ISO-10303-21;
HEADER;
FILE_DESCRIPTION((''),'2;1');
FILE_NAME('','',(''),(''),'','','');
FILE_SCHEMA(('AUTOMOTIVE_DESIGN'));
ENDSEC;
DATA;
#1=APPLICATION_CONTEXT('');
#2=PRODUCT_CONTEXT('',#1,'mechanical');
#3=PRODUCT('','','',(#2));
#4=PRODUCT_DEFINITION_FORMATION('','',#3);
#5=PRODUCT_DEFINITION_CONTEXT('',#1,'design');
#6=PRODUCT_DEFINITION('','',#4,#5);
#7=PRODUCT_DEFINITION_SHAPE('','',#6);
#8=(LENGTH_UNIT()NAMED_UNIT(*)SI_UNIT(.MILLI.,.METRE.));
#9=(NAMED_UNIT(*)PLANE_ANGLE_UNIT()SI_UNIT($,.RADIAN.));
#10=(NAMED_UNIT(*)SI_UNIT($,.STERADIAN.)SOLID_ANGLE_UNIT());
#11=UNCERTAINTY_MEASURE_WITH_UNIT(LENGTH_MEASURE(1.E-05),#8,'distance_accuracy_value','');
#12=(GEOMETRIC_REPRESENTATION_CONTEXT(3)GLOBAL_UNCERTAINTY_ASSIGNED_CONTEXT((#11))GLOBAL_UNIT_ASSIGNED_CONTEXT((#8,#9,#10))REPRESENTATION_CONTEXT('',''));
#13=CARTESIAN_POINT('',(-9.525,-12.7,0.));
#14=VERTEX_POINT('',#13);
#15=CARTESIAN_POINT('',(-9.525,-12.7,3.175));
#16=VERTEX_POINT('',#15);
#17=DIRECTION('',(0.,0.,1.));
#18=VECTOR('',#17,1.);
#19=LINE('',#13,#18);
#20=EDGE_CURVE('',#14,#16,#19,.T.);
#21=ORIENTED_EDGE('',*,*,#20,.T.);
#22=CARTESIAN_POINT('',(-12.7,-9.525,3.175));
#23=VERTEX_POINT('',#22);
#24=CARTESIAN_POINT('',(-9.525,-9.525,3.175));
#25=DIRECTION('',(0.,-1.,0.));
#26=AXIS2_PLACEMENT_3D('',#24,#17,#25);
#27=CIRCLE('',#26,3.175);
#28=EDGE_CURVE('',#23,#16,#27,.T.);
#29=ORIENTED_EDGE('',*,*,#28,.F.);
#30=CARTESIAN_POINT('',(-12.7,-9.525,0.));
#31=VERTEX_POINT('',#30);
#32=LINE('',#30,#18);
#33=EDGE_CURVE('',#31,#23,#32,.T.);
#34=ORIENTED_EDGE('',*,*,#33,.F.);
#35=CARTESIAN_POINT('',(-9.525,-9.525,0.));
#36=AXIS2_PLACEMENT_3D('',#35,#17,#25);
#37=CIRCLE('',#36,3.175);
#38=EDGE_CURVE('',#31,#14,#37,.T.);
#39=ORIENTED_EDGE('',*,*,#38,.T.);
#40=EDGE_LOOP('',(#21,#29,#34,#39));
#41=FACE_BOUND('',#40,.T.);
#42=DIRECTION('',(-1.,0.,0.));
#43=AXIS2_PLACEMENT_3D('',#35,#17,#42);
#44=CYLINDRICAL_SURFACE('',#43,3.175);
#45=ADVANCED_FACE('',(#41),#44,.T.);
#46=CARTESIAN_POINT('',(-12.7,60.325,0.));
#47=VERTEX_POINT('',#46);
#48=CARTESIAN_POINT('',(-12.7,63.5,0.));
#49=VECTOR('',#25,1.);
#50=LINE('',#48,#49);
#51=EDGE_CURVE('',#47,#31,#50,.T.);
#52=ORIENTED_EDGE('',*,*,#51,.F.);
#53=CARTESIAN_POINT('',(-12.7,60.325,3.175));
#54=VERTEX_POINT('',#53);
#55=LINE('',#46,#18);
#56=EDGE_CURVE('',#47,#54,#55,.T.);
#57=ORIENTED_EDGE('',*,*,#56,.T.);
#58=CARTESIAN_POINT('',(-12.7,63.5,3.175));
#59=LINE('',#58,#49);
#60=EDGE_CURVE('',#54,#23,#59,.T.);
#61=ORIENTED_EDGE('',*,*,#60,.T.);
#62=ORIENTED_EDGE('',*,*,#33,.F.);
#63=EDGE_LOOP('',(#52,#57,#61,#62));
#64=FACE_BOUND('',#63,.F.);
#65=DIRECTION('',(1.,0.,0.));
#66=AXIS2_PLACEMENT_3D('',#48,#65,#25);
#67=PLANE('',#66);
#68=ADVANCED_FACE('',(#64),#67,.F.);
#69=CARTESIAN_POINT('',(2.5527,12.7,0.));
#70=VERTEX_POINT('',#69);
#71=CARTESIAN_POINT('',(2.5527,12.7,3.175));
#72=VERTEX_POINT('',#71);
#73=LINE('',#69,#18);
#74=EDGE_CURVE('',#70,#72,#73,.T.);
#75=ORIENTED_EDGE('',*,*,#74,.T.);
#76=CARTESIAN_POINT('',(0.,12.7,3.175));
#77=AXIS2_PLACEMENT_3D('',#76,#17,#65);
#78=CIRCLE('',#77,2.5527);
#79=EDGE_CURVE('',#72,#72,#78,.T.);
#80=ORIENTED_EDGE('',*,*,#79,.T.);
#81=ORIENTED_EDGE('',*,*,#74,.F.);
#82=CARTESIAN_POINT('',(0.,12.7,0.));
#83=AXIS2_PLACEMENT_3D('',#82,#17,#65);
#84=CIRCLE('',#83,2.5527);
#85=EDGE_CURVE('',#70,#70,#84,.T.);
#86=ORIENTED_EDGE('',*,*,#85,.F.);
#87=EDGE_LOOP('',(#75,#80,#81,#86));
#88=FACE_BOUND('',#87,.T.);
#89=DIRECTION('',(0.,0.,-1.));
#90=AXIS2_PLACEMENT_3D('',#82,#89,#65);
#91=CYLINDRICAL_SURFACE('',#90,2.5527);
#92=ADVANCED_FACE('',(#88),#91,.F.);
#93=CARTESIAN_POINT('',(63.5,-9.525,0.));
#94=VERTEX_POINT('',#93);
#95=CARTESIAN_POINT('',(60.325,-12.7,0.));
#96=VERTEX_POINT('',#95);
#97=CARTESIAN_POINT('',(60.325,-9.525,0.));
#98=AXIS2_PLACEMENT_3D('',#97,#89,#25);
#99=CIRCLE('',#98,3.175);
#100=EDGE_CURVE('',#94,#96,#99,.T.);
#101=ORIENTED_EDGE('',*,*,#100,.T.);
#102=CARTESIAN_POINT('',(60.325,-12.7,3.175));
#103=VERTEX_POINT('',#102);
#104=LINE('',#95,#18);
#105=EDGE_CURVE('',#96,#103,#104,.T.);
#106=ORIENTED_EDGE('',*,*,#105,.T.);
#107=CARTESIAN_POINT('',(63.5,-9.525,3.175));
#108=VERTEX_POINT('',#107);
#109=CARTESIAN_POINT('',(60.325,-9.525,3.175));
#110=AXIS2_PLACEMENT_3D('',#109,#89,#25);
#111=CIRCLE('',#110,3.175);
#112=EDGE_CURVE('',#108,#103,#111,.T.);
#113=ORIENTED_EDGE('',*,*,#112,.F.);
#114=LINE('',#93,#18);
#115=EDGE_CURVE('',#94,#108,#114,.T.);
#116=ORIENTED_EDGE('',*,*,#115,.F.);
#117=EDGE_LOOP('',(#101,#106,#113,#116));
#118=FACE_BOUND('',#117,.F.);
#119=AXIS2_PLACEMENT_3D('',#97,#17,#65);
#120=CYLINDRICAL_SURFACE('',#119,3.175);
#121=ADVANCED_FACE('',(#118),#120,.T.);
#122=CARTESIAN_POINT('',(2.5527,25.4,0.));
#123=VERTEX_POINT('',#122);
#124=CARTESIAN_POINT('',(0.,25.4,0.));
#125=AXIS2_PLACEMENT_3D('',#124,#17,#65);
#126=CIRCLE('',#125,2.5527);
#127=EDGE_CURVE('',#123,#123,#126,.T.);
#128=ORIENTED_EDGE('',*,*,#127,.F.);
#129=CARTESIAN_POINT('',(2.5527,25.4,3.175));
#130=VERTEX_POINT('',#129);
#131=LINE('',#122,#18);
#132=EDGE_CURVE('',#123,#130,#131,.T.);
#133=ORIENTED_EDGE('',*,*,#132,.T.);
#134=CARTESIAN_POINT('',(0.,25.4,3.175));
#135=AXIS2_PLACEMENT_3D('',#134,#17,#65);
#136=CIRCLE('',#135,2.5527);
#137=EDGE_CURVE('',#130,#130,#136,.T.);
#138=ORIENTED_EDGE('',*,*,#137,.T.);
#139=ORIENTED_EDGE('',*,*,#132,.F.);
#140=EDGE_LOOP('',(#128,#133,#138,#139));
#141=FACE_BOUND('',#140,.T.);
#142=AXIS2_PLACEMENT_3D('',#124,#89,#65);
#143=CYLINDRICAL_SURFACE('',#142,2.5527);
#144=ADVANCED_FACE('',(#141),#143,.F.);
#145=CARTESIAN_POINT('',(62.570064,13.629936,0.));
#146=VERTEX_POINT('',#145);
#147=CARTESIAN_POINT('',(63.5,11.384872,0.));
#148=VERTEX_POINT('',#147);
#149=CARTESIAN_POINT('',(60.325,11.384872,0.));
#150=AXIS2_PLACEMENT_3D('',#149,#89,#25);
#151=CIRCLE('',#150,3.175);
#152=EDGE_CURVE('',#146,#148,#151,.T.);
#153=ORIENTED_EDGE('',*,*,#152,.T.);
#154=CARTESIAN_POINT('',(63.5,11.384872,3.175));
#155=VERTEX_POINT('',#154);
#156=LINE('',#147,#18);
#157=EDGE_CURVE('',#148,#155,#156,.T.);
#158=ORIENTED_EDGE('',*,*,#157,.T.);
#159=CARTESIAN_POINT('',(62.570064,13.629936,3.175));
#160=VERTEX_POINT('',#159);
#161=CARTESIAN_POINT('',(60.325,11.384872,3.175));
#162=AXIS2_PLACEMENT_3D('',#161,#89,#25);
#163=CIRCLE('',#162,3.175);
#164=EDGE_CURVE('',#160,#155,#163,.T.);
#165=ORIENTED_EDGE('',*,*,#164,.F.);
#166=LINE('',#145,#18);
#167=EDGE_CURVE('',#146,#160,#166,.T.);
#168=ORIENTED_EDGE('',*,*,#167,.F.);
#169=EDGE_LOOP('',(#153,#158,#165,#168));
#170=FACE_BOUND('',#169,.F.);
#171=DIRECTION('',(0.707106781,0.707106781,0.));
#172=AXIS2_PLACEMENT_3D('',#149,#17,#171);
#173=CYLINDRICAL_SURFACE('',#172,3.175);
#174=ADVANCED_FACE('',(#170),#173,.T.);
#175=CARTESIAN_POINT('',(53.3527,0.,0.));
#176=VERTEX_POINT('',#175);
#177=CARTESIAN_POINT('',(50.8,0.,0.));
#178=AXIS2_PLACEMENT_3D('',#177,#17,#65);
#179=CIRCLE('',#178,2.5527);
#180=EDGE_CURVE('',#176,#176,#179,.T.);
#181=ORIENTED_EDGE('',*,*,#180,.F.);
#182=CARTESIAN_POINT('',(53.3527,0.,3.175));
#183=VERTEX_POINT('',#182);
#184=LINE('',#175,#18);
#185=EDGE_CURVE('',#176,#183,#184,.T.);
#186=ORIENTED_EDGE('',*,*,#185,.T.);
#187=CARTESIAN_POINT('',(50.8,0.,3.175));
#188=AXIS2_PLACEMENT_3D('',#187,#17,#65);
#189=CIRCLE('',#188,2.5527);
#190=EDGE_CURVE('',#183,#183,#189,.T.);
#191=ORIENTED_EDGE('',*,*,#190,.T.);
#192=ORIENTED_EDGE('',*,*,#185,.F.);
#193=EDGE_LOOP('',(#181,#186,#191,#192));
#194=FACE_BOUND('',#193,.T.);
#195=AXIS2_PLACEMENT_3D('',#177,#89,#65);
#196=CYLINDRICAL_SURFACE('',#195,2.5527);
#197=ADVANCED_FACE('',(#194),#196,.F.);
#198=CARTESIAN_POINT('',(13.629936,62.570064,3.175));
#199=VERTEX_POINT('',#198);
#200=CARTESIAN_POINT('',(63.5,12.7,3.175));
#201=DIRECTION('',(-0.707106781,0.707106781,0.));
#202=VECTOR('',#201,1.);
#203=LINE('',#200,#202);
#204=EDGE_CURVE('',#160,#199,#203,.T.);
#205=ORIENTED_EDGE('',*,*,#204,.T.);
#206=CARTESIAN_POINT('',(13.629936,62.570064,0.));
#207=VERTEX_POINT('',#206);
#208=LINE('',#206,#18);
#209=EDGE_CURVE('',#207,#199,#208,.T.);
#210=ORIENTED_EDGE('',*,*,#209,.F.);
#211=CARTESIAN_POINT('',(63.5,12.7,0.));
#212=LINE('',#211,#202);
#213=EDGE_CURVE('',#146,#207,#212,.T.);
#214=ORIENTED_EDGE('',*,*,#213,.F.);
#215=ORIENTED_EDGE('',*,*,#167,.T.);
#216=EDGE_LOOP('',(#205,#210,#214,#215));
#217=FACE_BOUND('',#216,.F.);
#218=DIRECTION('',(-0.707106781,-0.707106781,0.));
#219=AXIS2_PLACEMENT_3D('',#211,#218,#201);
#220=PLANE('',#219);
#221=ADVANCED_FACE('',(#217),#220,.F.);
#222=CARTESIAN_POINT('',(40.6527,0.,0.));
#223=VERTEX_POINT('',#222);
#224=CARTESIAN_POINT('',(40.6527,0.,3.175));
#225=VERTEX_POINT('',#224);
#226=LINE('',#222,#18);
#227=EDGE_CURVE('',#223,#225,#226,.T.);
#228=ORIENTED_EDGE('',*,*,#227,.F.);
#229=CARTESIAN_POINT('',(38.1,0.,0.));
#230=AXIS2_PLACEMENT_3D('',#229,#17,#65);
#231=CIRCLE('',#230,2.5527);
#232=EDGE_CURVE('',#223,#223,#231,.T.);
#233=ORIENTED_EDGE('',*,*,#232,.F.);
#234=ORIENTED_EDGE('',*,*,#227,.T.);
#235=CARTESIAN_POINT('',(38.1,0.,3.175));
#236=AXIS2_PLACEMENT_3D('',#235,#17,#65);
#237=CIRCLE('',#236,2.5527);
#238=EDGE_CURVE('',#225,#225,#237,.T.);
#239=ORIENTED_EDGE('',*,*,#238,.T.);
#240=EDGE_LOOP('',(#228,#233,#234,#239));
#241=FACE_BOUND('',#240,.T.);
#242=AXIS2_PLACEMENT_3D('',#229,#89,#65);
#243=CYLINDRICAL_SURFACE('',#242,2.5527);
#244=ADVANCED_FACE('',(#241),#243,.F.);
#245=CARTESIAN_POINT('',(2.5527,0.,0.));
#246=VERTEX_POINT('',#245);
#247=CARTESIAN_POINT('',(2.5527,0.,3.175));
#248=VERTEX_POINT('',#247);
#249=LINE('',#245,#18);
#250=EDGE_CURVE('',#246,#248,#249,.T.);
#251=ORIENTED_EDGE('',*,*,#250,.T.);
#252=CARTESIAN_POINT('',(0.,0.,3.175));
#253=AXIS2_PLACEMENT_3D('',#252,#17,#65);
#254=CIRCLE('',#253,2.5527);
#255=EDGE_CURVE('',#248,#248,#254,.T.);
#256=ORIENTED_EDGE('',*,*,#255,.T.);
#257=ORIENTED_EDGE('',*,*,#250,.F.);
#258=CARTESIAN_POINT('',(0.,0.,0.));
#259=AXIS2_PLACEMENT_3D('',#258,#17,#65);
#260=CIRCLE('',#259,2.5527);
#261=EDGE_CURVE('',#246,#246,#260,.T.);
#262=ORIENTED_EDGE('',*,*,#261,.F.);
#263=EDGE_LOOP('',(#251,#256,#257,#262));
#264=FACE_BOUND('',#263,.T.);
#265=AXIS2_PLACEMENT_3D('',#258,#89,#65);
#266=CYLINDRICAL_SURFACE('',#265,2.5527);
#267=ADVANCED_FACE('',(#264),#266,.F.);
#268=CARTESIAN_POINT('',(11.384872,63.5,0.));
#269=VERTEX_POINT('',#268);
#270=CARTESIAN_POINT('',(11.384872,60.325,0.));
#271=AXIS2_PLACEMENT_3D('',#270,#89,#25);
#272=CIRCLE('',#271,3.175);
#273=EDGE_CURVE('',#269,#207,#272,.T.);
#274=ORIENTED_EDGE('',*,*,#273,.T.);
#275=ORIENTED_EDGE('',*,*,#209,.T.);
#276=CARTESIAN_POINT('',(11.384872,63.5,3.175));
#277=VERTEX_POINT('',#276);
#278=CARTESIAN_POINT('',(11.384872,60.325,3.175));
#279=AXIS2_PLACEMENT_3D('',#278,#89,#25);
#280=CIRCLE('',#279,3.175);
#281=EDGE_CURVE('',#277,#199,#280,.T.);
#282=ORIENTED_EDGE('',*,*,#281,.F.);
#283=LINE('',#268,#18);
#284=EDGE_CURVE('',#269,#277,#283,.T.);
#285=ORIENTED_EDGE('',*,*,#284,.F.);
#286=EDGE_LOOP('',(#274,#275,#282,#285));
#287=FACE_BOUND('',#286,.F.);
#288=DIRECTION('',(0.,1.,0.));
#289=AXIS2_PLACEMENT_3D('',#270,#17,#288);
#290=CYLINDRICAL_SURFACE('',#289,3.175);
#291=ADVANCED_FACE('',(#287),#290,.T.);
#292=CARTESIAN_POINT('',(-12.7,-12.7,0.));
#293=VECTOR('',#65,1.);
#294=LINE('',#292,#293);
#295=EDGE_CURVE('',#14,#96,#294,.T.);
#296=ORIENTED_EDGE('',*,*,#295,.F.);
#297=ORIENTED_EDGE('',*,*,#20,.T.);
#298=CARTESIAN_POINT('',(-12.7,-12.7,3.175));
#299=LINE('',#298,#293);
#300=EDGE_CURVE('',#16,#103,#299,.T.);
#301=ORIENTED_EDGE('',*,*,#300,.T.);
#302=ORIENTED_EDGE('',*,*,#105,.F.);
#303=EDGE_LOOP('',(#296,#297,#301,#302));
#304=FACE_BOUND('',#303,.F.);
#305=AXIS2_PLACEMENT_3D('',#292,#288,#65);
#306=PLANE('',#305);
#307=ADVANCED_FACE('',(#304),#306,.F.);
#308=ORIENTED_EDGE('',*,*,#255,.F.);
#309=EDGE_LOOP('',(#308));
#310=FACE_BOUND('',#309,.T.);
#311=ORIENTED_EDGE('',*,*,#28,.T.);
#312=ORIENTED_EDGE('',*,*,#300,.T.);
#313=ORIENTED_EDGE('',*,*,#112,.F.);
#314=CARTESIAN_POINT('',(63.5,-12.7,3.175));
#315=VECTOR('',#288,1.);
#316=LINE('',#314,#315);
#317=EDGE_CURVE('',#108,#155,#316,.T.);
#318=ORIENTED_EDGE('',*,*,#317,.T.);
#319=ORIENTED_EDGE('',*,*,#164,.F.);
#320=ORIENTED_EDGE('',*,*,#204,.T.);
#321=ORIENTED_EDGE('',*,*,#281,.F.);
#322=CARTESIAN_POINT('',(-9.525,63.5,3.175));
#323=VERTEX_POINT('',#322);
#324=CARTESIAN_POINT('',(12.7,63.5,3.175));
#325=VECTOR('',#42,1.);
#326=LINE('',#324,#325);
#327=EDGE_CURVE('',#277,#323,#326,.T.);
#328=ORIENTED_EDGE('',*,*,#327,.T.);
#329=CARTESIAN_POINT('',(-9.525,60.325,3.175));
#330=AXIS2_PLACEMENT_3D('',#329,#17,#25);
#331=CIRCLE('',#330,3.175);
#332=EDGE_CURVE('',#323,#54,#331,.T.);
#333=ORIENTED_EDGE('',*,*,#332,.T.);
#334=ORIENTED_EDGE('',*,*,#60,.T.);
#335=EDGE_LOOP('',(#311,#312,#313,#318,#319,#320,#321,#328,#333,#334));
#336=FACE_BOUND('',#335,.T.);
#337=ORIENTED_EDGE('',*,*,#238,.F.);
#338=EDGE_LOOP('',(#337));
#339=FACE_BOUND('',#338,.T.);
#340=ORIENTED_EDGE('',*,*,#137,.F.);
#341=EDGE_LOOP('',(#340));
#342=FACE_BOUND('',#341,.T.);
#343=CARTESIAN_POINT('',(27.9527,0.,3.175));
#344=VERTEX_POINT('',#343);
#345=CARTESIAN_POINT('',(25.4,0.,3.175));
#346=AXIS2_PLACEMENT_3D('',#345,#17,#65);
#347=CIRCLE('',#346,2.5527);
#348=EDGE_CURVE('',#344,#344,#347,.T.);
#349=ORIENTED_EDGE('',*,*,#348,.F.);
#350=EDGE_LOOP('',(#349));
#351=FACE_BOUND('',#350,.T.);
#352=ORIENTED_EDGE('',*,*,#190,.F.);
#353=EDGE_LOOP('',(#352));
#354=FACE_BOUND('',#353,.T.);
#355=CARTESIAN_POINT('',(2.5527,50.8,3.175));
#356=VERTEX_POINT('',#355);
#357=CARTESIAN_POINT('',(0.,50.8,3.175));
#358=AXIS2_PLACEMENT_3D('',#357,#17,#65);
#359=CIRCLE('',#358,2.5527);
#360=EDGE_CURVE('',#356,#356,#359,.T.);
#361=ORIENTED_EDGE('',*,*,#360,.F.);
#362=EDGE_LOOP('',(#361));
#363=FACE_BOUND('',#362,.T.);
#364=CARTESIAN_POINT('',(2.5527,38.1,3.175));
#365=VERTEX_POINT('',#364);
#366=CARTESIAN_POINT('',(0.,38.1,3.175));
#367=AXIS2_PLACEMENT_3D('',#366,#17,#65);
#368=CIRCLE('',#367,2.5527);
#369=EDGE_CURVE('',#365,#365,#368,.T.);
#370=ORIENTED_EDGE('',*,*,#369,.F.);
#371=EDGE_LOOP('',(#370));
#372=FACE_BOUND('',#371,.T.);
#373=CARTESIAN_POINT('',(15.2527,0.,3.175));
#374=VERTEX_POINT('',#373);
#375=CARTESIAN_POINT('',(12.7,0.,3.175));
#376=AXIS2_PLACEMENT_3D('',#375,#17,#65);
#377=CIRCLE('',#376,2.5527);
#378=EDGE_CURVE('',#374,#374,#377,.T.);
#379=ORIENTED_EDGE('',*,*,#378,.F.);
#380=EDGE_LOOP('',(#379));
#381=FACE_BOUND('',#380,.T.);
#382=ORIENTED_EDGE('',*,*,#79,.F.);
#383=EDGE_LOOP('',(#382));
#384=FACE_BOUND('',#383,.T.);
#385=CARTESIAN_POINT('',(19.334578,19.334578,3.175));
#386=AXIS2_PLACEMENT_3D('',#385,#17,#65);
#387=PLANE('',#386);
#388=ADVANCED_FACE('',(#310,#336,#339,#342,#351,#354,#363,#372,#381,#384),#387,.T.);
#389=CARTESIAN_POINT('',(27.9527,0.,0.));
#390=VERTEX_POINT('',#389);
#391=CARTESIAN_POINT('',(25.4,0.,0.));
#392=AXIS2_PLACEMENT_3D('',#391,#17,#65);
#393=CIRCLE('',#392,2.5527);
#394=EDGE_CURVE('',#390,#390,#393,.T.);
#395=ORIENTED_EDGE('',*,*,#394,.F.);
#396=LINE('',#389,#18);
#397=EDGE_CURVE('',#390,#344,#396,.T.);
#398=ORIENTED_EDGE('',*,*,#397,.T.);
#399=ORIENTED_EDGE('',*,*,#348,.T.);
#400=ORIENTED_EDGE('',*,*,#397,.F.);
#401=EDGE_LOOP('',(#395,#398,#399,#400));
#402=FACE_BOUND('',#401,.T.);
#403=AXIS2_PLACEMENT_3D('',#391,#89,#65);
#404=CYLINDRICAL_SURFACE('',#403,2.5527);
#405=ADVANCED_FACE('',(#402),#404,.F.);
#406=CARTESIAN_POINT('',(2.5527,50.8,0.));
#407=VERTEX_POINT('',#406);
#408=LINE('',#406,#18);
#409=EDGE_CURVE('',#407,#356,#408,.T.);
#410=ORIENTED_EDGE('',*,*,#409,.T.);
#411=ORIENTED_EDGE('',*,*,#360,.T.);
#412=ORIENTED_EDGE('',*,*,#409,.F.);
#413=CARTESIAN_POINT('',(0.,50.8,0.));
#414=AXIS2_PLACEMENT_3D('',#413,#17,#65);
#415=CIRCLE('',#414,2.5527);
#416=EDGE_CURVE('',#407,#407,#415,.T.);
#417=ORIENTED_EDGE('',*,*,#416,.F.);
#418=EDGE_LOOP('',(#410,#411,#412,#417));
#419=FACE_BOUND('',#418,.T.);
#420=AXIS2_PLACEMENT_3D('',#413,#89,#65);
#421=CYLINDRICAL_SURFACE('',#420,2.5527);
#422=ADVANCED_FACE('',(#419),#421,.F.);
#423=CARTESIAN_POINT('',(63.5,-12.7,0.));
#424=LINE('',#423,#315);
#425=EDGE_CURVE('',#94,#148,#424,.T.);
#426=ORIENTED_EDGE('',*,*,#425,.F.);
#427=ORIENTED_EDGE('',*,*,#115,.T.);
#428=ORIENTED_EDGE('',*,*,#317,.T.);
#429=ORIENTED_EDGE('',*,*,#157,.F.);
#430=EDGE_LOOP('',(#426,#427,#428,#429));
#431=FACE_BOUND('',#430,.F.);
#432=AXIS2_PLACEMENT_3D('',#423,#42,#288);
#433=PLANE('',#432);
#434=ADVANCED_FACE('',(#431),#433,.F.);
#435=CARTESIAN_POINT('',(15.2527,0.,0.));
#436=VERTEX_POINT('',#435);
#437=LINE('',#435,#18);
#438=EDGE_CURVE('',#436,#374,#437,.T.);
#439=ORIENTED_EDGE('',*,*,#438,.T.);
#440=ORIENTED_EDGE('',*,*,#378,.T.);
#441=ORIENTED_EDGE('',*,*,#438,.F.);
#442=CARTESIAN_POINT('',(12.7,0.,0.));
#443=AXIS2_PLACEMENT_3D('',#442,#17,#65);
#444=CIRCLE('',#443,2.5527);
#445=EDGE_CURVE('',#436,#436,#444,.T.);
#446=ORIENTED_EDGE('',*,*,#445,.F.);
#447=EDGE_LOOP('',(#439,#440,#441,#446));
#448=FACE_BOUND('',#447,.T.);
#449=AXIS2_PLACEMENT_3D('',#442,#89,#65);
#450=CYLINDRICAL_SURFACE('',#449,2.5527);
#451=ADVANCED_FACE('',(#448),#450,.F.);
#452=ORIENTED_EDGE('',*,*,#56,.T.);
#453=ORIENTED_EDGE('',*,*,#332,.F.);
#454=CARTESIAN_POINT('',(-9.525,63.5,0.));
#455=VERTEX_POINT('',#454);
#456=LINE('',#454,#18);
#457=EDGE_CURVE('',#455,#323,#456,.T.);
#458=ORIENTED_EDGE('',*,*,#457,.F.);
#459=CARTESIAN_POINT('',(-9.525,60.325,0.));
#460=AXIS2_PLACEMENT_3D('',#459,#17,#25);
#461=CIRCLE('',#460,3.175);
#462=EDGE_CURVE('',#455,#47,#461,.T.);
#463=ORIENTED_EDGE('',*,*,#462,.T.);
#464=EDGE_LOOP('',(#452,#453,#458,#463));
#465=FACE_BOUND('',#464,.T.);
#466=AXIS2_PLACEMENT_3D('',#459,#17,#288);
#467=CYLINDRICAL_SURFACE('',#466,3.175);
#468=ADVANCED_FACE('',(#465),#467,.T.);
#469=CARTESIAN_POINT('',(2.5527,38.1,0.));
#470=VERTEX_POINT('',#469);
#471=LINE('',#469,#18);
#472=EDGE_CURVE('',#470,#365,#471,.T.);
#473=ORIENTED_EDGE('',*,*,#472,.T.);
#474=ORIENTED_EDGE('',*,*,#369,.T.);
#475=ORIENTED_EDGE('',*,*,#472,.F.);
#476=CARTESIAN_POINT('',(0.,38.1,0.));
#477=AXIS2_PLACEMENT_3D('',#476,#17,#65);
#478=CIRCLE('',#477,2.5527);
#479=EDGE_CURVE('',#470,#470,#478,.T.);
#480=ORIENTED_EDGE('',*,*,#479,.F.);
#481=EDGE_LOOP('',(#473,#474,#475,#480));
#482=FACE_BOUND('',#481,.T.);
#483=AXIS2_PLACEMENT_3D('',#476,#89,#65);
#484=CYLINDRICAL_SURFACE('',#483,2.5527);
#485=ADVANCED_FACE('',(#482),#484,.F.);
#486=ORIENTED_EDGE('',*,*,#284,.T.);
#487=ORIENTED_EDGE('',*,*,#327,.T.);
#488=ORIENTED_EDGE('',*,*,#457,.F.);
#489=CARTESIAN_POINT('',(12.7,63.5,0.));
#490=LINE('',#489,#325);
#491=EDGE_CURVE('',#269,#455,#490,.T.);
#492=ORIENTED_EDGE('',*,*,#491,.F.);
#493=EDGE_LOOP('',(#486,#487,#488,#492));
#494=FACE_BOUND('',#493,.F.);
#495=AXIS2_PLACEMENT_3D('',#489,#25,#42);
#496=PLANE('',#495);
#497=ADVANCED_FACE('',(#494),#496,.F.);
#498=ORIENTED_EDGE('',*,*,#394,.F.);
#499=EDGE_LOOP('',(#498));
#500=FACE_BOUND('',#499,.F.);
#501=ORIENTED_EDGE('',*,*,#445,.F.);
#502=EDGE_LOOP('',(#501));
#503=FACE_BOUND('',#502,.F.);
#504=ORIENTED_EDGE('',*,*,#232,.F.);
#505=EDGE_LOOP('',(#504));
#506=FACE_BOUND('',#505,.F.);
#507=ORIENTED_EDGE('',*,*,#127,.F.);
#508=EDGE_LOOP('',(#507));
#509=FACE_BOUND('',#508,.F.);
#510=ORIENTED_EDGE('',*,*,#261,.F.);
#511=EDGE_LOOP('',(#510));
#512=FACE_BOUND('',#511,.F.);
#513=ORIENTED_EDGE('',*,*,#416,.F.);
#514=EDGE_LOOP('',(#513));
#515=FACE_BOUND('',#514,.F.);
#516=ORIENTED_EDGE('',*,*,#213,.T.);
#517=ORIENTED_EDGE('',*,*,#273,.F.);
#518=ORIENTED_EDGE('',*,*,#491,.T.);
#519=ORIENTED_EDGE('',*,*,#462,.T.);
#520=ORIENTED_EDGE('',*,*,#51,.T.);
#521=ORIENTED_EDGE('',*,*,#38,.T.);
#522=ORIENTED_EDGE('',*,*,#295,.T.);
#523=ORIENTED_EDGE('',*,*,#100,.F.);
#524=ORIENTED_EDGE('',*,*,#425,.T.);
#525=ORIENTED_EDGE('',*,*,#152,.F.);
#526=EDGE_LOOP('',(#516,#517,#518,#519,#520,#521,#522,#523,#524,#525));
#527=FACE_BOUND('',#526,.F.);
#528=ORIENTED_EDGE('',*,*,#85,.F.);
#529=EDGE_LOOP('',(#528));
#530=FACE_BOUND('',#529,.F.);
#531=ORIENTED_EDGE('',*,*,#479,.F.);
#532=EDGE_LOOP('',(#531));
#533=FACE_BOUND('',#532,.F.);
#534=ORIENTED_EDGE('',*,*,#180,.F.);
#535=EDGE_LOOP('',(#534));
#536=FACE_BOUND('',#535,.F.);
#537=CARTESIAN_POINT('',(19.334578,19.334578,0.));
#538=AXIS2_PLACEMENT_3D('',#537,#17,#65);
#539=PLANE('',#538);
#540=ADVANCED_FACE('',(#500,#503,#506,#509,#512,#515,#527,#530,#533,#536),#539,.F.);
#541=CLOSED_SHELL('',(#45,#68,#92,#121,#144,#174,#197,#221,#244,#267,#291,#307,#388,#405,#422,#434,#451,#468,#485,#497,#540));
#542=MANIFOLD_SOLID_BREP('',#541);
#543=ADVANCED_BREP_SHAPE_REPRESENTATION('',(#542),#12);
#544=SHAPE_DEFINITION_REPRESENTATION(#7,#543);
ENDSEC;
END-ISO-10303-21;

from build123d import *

# Parameters (mm, degrees)
F0_R     = 2.5527
F1_DEPTH = 3.175
F2_R     = 3.175


with BuildPart() as f1:
    # F0 (on Top) → F1 (new body)
    with BuildSketch(Plane.XY):
        Polygon((12.7, 63.5), (-12.7, 63.5), (-12.7, -12.7), (63.5, -12.7), (63.5, 12.7), align=None)
        Circle(F0_R, mode=Mode.SUBTRACT)
        with Locations((12.7, 0)):
            Circle(F0_R, mode=Mode.SUBTRACT)
        with Locations((25.4, 0)):
            Circle(F0_R, mode=Mode.SUBTRACT)
        with Locations((0, 12.7)):
            Circle(F0_R, mode=Mode.SUBTRACT)
        with Locations((0, 25.4)):
            Circle(F0_R, mode=Mode.SUBTRACT)
        with Locations((38.1, 0)):
            Circle(F0_R, mode=Mode.SUBTRACT)
        with Locations((50.8, 0)):
            Circle(F0_R, mode=Mode.SUBTRACT)
        with Locations((0, 38.1)):
            Circle(F0_R, mode=Mode.SUBTRACT)
        with Locations((0, 50.8)):
            Circle(F0_R, mode=Mode.SUBTRACT)
    extrude(amount=F1_DEPTH)

    # F2
    f2_edges = [f1.edges().sort_by_distance(p)[0] for p in [
        (-12.7, 63.5, 1.5875),
        (12.7, 63.5, 1.5875),
        (-12.7, -12.7, 1.5875),
        (63.5, -12.7, 1.5875),
        (63.5, 12.7, 1.5875),
    ]]
    fillet(f2_edges, radius=F2_R)


solid = f1.part
